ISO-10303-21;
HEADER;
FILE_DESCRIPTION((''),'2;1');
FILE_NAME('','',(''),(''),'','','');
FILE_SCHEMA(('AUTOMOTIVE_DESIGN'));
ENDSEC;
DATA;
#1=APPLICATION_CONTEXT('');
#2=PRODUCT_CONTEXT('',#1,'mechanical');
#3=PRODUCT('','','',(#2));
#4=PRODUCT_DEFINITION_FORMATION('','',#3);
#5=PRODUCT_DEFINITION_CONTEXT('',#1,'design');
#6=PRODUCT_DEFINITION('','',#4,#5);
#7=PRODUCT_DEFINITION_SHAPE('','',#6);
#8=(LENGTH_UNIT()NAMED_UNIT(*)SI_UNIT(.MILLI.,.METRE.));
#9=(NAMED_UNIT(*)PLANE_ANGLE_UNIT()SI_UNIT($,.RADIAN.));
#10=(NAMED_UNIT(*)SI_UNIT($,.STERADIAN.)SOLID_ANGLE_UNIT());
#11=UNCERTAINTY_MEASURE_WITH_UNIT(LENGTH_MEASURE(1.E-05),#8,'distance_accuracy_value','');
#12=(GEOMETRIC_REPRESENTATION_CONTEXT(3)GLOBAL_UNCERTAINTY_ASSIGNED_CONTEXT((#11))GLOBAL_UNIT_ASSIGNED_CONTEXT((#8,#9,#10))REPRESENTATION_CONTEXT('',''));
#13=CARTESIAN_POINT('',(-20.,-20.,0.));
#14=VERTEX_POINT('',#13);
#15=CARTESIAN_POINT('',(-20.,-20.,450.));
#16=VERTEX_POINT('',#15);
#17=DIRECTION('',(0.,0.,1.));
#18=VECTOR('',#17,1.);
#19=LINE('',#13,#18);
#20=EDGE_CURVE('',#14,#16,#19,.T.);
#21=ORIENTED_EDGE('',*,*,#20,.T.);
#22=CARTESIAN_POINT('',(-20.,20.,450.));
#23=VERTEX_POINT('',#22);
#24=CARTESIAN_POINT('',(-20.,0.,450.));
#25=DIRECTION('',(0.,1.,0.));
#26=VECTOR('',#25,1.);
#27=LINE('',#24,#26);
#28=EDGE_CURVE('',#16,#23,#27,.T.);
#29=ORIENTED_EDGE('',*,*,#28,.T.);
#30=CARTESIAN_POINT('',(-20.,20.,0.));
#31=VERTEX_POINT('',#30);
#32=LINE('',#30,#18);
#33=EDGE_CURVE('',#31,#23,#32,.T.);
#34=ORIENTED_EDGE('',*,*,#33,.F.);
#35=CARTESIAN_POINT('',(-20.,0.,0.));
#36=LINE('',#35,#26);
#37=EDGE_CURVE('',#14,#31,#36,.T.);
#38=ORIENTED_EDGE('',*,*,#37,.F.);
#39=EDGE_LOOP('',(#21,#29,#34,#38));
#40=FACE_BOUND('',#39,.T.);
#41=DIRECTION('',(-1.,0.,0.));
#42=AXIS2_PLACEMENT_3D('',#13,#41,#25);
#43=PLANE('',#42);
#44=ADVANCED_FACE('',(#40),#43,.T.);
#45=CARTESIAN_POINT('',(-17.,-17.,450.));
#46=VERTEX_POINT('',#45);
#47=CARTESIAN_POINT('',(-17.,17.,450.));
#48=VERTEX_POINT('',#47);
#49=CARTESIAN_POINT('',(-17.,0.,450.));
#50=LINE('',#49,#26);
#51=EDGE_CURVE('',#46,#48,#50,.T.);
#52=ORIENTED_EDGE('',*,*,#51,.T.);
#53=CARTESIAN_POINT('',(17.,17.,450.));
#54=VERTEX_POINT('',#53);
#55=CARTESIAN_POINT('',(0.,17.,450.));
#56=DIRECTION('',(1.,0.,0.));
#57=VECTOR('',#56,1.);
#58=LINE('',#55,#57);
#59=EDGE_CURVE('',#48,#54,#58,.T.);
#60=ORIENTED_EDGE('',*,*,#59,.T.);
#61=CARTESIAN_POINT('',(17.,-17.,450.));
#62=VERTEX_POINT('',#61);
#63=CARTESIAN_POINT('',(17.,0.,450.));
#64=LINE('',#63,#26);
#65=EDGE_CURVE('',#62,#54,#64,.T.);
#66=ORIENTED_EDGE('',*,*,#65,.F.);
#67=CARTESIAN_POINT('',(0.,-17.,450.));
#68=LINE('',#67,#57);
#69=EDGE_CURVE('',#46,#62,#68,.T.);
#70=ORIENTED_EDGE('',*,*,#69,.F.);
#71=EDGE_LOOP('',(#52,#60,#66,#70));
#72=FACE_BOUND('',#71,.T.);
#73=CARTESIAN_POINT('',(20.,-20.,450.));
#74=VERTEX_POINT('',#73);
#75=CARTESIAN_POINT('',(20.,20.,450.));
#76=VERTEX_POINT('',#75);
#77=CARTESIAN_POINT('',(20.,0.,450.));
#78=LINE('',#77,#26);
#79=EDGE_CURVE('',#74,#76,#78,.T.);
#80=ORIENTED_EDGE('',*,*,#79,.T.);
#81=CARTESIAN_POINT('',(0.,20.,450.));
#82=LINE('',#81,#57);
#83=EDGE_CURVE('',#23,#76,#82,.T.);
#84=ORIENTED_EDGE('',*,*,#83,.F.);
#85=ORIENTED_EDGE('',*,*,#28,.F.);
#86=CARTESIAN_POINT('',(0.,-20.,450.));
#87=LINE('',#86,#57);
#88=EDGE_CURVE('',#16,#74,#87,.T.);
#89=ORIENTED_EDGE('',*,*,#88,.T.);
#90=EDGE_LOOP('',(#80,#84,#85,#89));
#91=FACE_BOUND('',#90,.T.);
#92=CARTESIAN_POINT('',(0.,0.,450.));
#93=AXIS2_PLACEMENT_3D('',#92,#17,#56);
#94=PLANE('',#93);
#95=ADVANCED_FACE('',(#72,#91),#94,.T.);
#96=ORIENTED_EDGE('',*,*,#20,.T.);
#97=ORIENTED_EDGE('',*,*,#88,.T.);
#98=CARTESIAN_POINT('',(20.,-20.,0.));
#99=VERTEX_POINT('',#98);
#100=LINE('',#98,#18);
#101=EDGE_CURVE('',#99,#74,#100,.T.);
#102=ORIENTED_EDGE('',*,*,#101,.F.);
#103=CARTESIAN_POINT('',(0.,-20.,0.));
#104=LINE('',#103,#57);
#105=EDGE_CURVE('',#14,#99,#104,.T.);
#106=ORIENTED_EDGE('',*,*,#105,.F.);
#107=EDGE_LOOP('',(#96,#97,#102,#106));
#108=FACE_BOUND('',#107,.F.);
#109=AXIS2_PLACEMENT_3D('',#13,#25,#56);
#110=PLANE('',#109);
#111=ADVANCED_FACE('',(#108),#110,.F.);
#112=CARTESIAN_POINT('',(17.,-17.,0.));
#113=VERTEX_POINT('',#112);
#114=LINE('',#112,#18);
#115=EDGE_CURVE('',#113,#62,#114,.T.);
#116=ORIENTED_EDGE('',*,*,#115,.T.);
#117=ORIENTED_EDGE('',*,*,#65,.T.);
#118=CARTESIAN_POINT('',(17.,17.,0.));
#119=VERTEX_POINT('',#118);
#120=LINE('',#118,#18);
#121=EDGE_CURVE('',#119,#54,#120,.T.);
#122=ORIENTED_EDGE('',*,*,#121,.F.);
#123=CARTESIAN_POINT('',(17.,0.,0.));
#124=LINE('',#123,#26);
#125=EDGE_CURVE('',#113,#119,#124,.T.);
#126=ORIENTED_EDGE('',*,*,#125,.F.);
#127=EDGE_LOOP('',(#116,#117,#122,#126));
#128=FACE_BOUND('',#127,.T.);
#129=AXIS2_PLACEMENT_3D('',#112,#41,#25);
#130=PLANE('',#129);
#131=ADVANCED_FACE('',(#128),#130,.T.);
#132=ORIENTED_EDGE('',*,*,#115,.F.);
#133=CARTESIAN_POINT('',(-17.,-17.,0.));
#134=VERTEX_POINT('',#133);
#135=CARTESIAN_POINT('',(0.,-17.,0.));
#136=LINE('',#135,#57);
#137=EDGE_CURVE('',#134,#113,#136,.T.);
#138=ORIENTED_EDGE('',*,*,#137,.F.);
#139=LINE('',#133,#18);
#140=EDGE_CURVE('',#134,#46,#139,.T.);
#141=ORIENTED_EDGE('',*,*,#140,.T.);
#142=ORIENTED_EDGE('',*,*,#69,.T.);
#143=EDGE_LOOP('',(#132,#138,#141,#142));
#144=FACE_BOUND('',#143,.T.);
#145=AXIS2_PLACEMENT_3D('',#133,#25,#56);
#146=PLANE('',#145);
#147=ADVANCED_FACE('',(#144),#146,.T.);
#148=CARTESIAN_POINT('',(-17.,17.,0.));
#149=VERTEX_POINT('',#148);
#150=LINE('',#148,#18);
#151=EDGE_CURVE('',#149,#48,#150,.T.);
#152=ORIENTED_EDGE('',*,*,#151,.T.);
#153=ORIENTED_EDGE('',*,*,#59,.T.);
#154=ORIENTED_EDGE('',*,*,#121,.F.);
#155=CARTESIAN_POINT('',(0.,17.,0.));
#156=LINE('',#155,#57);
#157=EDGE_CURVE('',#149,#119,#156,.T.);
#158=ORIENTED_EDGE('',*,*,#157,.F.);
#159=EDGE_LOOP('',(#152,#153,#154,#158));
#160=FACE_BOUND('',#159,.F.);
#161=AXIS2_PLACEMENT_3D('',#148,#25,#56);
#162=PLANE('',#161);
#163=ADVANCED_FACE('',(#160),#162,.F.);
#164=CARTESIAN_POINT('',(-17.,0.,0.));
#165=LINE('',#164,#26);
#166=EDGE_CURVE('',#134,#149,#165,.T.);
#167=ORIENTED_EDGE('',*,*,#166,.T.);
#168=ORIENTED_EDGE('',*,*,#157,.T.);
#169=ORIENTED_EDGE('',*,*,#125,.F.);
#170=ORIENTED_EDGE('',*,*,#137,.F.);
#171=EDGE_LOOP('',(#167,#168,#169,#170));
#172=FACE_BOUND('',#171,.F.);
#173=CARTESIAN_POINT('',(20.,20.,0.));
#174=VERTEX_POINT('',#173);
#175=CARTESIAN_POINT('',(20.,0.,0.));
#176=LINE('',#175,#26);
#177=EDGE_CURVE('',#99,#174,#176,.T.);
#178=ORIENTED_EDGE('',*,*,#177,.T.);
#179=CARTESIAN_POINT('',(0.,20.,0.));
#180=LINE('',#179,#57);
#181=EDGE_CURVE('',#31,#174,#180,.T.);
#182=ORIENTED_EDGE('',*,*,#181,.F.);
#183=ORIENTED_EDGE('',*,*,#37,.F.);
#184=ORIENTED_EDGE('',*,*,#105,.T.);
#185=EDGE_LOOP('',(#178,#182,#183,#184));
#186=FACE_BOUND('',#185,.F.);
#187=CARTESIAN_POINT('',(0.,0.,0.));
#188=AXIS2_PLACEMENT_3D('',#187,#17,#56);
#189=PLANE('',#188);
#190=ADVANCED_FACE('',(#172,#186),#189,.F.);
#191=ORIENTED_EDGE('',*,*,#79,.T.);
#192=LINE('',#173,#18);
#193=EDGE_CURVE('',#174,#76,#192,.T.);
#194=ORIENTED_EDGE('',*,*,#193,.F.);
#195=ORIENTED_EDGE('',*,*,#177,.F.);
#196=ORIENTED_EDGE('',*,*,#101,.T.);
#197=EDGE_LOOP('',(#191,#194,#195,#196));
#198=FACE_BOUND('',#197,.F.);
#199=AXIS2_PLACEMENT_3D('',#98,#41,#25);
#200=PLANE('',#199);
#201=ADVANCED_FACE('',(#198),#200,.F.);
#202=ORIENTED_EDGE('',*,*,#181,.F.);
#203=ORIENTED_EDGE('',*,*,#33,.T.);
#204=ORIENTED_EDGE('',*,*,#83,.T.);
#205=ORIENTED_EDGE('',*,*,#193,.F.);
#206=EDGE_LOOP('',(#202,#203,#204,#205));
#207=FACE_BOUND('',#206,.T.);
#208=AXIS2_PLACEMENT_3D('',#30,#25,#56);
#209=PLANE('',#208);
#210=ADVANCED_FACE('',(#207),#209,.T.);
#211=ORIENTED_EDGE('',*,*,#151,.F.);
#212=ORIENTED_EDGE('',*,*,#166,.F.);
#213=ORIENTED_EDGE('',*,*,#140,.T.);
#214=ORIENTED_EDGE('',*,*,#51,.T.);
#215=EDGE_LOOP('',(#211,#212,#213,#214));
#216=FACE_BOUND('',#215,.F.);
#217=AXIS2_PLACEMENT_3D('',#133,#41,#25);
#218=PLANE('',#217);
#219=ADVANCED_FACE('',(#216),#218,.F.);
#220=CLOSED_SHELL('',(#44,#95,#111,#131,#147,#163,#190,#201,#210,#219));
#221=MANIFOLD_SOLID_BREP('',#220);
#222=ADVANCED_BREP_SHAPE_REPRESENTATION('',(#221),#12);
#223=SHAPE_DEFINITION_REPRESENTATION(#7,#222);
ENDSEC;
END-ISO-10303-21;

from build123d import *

# Parameters (mm, degrees)
CROQUIS1_W              = 40
CROQUIS1_H              = 40
CROQUIS1_W_2            = 34
CROQUIS1_H_2            = 34
SALIENTE_EXTRUIR1_DEPTH = 450


with BuildPart() as part:
    # Croquis1 → Saliente-Extruir1 (new body)
    with BuildSketch(Plane.XY):
        Rectangle(CROQUIS1_W, CROQUIS1_H)
        Rectangle(CROQUIS1_W_2, CROQUIS1_H_2, mode=Mode.SUBTRACT)
    extrude(amount=SALIENTE_EXTRUIR1_DEPTH)


solid = part.part
